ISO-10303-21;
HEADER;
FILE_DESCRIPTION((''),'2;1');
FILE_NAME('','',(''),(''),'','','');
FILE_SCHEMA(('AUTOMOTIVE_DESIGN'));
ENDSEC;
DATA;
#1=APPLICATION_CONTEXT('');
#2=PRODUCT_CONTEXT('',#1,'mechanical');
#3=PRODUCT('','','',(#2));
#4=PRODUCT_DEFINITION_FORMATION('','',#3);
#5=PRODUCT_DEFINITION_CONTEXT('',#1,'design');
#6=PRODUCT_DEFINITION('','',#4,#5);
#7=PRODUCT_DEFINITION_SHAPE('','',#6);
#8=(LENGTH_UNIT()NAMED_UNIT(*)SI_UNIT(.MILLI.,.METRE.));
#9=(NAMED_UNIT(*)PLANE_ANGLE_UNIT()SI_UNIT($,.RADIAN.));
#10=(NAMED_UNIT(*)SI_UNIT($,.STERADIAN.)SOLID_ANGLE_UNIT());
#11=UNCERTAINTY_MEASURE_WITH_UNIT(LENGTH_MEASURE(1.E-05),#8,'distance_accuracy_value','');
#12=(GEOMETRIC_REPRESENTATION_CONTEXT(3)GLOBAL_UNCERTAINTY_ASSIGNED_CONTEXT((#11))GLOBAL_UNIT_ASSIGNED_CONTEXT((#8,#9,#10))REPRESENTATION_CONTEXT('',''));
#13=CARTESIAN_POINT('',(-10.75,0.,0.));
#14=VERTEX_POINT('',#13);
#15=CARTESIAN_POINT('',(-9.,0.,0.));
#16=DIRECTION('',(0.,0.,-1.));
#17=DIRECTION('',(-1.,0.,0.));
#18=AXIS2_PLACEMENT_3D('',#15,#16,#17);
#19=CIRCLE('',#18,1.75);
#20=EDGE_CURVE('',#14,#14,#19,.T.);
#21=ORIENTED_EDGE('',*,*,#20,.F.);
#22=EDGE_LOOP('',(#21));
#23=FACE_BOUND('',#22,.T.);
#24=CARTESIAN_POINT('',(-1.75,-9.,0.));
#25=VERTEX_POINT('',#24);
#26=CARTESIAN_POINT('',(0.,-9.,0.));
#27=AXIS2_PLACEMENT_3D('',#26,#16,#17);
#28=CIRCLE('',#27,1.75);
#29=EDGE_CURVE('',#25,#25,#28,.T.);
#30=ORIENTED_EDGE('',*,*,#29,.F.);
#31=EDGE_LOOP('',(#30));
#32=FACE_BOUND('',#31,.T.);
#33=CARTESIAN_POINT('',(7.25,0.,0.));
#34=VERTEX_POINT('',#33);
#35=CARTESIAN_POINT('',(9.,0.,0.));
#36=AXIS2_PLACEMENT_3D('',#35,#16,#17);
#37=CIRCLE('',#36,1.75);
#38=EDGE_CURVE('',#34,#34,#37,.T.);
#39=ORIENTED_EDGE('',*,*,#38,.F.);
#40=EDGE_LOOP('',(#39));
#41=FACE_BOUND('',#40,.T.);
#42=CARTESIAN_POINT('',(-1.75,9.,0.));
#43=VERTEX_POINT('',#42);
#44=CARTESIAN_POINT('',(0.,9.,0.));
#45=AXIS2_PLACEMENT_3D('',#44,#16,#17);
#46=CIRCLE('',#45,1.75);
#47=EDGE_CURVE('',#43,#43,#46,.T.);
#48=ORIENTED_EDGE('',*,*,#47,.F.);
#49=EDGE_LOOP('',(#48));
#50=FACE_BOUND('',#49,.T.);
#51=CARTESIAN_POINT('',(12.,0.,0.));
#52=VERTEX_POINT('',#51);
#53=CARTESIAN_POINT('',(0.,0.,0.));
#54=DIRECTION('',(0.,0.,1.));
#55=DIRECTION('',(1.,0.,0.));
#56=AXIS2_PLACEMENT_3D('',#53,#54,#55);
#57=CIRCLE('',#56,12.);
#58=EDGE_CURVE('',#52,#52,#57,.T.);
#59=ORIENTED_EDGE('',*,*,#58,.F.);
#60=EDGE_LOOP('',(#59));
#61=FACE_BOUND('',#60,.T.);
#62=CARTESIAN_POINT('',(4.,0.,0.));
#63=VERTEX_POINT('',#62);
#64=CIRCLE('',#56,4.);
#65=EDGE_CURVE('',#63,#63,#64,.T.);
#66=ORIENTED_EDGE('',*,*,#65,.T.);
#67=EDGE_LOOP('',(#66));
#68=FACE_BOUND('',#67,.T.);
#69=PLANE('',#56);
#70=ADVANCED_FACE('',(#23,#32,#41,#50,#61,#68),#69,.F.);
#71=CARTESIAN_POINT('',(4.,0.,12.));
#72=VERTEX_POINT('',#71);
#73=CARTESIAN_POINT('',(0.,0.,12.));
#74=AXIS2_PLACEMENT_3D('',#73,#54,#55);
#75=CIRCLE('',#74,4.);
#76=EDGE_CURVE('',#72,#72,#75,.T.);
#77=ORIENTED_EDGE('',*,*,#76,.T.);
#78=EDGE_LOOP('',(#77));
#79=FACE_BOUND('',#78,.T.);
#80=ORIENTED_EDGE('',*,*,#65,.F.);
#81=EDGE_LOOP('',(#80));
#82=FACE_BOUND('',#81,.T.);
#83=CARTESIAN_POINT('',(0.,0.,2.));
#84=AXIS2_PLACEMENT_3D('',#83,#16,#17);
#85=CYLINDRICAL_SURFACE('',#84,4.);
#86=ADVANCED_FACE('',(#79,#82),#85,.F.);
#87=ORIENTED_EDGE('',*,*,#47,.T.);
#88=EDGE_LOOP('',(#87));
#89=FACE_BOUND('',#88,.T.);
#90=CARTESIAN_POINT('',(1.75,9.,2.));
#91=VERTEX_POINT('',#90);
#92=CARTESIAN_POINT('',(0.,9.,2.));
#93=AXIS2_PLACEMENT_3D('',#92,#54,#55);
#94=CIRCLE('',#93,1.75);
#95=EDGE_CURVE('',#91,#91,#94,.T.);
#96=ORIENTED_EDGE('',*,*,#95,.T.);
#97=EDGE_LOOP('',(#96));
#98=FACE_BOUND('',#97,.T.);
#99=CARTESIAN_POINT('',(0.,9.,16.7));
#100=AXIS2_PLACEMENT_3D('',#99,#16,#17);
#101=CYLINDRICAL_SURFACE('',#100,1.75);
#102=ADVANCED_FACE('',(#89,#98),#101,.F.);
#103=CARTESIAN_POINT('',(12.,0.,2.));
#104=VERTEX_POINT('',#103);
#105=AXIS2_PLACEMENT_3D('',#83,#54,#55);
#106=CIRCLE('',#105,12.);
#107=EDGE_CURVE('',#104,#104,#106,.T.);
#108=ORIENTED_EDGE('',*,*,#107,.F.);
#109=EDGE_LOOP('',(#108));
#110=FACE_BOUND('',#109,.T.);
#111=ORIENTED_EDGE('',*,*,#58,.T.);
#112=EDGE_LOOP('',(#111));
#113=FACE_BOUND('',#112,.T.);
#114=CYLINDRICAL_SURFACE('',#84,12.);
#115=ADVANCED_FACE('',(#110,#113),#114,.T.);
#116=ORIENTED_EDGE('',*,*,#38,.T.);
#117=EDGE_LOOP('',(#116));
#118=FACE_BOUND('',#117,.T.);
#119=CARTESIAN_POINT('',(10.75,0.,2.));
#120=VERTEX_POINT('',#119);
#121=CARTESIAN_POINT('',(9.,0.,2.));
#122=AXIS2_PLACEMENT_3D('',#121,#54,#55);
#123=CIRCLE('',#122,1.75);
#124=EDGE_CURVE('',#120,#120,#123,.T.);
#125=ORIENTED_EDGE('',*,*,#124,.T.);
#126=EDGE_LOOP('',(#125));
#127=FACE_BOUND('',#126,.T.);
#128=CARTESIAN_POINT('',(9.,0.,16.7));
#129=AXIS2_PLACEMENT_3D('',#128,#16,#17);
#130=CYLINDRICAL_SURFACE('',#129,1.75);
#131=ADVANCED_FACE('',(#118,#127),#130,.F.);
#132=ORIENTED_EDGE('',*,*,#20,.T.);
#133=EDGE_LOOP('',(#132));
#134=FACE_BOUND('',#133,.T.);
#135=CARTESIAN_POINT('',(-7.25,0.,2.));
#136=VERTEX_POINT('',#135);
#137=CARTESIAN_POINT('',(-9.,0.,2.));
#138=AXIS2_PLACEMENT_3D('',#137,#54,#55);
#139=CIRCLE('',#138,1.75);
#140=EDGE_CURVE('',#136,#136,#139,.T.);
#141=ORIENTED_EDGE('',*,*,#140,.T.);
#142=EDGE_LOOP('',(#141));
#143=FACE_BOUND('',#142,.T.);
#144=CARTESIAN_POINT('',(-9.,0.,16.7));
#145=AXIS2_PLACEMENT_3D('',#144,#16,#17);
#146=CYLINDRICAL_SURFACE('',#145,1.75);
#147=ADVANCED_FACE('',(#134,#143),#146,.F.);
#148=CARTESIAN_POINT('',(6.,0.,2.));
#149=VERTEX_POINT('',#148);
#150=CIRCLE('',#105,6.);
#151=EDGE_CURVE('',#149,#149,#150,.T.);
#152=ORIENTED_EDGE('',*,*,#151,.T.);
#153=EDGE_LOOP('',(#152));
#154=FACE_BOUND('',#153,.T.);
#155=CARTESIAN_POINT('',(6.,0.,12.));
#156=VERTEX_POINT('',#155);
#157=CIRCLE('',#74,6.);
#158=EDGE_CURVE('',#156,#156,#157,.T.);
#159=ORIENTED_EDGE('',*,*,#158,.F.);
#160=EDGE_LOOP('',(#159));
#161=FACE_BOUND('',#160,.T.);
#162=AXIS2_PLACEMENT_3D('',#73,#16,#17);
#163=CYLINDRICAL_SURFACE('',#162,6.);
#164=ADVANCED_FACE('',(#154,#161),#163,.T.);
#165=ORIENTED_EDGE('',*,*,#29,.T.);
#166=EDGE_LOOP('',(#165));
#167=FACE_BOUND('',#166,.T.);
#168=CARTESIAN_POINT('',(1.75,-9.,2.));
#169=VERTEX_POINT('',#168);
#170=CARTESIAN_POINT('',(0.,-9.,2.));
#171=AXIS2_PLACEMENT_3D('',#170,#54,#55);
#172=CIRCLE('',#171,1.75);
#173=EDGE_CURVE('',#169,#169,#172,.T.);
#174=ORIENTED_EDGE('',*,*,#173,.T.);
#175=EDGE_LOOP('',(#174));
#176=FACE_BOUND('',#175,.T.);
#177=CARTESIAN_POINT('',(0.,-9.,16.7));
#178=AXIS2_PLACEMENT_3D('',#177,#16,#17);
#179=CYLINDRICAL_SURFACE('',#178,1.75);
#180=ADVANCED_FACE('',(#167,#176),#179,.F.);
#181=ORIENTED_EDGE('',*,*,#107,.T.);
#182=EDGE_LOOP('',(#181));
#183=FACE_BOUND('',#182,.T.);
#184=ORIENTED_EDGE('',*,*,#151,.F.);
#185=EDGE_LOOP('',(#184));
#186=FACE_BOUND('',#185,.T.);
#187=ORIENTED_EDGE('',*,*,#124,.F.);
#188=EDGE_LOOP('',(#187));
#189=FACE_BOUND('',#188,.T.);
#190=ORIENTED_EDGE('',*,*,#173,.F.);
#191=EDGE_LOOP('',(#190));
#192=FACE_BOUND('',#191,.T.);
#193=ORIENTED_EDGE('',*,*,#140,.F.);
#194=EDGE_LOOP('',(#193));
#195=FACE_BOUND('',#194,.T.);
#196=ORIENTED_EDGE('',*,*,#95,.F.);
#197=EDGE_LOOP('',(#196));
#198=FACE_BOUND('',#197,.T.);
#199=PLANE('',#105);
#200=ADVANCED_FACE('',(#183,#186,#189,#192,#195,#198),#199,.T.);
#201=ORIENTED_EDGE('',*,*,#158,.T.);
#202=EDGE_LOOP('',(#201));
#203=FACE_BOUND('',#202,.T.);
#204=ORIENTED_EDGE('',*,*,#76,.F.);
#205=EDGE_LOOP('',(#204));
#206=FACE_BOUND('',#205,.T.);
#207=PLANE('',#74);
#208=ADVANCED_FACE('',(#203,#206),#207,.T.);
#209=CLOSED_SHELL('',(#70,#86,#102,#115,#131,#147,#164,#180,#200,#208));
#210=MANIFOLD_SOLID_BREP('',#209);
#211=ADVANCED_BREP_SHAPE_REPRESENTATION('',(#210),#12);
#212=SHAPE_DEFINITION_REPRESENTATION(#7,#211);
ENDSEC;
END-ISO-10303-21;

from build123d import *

# Parameters (mm, degrees)
SKETCH_1_R          = 12
SKETCH_1_R_2        = 4
EXTRUDE_1_DEPTH     = 2
SKETCH_2_R          = 6
SKETCH_2_R_2        = 4
EXTRUDE_3_DEPTH     = 10
SKETCH_4_R          = 1.75
CUT_EXTRUDE_1_DEPTH = 16.7


with BuildPart() as part:
    # 草图1 → 凸台-拉伸1 (new body)
    with BuildSketch(Plane.XY):
        Circle(SKETCH_1_R)
        Circle(SKETCH_1_R_2, mode=Mode.SUBTRACT)
    extrude(amount=EXTRUDE_1_DEPTH)

    # 草图2 → 凸台-拉伸3 (add)
    with BuildSketch(Plane.XY.offset(2)):
        Circle(SKETCH_2_R)
        Circle(SKETCH_2_R_2, mode=Mode.SUBTRACT)
    extrude(amount=EXTRUDE_3_DEPTH)

    # 草图4 → 切除-拉伸1 (cut)
    with BuildSketch(Plane(origin=(0, 0, 0), x_dir=(-1, 0, 0), z_dir=(0, 0, -1))):
        with Locations((9, 0)):
            Circle(SKETCH_4_R)
        with Locations((0, 9)):
            Circle(SKETCH_4_R)
        with Locations((-9, 0)):
            Circle(SKETCH_4_R)
        with Locations((0, -9)):
            Circle(SKETCH_4_R)
    extrude(amount=-CUT_EXTRUDE_1_DEPTH, mode=Mode.SUBTRACT)


solid = part.part
